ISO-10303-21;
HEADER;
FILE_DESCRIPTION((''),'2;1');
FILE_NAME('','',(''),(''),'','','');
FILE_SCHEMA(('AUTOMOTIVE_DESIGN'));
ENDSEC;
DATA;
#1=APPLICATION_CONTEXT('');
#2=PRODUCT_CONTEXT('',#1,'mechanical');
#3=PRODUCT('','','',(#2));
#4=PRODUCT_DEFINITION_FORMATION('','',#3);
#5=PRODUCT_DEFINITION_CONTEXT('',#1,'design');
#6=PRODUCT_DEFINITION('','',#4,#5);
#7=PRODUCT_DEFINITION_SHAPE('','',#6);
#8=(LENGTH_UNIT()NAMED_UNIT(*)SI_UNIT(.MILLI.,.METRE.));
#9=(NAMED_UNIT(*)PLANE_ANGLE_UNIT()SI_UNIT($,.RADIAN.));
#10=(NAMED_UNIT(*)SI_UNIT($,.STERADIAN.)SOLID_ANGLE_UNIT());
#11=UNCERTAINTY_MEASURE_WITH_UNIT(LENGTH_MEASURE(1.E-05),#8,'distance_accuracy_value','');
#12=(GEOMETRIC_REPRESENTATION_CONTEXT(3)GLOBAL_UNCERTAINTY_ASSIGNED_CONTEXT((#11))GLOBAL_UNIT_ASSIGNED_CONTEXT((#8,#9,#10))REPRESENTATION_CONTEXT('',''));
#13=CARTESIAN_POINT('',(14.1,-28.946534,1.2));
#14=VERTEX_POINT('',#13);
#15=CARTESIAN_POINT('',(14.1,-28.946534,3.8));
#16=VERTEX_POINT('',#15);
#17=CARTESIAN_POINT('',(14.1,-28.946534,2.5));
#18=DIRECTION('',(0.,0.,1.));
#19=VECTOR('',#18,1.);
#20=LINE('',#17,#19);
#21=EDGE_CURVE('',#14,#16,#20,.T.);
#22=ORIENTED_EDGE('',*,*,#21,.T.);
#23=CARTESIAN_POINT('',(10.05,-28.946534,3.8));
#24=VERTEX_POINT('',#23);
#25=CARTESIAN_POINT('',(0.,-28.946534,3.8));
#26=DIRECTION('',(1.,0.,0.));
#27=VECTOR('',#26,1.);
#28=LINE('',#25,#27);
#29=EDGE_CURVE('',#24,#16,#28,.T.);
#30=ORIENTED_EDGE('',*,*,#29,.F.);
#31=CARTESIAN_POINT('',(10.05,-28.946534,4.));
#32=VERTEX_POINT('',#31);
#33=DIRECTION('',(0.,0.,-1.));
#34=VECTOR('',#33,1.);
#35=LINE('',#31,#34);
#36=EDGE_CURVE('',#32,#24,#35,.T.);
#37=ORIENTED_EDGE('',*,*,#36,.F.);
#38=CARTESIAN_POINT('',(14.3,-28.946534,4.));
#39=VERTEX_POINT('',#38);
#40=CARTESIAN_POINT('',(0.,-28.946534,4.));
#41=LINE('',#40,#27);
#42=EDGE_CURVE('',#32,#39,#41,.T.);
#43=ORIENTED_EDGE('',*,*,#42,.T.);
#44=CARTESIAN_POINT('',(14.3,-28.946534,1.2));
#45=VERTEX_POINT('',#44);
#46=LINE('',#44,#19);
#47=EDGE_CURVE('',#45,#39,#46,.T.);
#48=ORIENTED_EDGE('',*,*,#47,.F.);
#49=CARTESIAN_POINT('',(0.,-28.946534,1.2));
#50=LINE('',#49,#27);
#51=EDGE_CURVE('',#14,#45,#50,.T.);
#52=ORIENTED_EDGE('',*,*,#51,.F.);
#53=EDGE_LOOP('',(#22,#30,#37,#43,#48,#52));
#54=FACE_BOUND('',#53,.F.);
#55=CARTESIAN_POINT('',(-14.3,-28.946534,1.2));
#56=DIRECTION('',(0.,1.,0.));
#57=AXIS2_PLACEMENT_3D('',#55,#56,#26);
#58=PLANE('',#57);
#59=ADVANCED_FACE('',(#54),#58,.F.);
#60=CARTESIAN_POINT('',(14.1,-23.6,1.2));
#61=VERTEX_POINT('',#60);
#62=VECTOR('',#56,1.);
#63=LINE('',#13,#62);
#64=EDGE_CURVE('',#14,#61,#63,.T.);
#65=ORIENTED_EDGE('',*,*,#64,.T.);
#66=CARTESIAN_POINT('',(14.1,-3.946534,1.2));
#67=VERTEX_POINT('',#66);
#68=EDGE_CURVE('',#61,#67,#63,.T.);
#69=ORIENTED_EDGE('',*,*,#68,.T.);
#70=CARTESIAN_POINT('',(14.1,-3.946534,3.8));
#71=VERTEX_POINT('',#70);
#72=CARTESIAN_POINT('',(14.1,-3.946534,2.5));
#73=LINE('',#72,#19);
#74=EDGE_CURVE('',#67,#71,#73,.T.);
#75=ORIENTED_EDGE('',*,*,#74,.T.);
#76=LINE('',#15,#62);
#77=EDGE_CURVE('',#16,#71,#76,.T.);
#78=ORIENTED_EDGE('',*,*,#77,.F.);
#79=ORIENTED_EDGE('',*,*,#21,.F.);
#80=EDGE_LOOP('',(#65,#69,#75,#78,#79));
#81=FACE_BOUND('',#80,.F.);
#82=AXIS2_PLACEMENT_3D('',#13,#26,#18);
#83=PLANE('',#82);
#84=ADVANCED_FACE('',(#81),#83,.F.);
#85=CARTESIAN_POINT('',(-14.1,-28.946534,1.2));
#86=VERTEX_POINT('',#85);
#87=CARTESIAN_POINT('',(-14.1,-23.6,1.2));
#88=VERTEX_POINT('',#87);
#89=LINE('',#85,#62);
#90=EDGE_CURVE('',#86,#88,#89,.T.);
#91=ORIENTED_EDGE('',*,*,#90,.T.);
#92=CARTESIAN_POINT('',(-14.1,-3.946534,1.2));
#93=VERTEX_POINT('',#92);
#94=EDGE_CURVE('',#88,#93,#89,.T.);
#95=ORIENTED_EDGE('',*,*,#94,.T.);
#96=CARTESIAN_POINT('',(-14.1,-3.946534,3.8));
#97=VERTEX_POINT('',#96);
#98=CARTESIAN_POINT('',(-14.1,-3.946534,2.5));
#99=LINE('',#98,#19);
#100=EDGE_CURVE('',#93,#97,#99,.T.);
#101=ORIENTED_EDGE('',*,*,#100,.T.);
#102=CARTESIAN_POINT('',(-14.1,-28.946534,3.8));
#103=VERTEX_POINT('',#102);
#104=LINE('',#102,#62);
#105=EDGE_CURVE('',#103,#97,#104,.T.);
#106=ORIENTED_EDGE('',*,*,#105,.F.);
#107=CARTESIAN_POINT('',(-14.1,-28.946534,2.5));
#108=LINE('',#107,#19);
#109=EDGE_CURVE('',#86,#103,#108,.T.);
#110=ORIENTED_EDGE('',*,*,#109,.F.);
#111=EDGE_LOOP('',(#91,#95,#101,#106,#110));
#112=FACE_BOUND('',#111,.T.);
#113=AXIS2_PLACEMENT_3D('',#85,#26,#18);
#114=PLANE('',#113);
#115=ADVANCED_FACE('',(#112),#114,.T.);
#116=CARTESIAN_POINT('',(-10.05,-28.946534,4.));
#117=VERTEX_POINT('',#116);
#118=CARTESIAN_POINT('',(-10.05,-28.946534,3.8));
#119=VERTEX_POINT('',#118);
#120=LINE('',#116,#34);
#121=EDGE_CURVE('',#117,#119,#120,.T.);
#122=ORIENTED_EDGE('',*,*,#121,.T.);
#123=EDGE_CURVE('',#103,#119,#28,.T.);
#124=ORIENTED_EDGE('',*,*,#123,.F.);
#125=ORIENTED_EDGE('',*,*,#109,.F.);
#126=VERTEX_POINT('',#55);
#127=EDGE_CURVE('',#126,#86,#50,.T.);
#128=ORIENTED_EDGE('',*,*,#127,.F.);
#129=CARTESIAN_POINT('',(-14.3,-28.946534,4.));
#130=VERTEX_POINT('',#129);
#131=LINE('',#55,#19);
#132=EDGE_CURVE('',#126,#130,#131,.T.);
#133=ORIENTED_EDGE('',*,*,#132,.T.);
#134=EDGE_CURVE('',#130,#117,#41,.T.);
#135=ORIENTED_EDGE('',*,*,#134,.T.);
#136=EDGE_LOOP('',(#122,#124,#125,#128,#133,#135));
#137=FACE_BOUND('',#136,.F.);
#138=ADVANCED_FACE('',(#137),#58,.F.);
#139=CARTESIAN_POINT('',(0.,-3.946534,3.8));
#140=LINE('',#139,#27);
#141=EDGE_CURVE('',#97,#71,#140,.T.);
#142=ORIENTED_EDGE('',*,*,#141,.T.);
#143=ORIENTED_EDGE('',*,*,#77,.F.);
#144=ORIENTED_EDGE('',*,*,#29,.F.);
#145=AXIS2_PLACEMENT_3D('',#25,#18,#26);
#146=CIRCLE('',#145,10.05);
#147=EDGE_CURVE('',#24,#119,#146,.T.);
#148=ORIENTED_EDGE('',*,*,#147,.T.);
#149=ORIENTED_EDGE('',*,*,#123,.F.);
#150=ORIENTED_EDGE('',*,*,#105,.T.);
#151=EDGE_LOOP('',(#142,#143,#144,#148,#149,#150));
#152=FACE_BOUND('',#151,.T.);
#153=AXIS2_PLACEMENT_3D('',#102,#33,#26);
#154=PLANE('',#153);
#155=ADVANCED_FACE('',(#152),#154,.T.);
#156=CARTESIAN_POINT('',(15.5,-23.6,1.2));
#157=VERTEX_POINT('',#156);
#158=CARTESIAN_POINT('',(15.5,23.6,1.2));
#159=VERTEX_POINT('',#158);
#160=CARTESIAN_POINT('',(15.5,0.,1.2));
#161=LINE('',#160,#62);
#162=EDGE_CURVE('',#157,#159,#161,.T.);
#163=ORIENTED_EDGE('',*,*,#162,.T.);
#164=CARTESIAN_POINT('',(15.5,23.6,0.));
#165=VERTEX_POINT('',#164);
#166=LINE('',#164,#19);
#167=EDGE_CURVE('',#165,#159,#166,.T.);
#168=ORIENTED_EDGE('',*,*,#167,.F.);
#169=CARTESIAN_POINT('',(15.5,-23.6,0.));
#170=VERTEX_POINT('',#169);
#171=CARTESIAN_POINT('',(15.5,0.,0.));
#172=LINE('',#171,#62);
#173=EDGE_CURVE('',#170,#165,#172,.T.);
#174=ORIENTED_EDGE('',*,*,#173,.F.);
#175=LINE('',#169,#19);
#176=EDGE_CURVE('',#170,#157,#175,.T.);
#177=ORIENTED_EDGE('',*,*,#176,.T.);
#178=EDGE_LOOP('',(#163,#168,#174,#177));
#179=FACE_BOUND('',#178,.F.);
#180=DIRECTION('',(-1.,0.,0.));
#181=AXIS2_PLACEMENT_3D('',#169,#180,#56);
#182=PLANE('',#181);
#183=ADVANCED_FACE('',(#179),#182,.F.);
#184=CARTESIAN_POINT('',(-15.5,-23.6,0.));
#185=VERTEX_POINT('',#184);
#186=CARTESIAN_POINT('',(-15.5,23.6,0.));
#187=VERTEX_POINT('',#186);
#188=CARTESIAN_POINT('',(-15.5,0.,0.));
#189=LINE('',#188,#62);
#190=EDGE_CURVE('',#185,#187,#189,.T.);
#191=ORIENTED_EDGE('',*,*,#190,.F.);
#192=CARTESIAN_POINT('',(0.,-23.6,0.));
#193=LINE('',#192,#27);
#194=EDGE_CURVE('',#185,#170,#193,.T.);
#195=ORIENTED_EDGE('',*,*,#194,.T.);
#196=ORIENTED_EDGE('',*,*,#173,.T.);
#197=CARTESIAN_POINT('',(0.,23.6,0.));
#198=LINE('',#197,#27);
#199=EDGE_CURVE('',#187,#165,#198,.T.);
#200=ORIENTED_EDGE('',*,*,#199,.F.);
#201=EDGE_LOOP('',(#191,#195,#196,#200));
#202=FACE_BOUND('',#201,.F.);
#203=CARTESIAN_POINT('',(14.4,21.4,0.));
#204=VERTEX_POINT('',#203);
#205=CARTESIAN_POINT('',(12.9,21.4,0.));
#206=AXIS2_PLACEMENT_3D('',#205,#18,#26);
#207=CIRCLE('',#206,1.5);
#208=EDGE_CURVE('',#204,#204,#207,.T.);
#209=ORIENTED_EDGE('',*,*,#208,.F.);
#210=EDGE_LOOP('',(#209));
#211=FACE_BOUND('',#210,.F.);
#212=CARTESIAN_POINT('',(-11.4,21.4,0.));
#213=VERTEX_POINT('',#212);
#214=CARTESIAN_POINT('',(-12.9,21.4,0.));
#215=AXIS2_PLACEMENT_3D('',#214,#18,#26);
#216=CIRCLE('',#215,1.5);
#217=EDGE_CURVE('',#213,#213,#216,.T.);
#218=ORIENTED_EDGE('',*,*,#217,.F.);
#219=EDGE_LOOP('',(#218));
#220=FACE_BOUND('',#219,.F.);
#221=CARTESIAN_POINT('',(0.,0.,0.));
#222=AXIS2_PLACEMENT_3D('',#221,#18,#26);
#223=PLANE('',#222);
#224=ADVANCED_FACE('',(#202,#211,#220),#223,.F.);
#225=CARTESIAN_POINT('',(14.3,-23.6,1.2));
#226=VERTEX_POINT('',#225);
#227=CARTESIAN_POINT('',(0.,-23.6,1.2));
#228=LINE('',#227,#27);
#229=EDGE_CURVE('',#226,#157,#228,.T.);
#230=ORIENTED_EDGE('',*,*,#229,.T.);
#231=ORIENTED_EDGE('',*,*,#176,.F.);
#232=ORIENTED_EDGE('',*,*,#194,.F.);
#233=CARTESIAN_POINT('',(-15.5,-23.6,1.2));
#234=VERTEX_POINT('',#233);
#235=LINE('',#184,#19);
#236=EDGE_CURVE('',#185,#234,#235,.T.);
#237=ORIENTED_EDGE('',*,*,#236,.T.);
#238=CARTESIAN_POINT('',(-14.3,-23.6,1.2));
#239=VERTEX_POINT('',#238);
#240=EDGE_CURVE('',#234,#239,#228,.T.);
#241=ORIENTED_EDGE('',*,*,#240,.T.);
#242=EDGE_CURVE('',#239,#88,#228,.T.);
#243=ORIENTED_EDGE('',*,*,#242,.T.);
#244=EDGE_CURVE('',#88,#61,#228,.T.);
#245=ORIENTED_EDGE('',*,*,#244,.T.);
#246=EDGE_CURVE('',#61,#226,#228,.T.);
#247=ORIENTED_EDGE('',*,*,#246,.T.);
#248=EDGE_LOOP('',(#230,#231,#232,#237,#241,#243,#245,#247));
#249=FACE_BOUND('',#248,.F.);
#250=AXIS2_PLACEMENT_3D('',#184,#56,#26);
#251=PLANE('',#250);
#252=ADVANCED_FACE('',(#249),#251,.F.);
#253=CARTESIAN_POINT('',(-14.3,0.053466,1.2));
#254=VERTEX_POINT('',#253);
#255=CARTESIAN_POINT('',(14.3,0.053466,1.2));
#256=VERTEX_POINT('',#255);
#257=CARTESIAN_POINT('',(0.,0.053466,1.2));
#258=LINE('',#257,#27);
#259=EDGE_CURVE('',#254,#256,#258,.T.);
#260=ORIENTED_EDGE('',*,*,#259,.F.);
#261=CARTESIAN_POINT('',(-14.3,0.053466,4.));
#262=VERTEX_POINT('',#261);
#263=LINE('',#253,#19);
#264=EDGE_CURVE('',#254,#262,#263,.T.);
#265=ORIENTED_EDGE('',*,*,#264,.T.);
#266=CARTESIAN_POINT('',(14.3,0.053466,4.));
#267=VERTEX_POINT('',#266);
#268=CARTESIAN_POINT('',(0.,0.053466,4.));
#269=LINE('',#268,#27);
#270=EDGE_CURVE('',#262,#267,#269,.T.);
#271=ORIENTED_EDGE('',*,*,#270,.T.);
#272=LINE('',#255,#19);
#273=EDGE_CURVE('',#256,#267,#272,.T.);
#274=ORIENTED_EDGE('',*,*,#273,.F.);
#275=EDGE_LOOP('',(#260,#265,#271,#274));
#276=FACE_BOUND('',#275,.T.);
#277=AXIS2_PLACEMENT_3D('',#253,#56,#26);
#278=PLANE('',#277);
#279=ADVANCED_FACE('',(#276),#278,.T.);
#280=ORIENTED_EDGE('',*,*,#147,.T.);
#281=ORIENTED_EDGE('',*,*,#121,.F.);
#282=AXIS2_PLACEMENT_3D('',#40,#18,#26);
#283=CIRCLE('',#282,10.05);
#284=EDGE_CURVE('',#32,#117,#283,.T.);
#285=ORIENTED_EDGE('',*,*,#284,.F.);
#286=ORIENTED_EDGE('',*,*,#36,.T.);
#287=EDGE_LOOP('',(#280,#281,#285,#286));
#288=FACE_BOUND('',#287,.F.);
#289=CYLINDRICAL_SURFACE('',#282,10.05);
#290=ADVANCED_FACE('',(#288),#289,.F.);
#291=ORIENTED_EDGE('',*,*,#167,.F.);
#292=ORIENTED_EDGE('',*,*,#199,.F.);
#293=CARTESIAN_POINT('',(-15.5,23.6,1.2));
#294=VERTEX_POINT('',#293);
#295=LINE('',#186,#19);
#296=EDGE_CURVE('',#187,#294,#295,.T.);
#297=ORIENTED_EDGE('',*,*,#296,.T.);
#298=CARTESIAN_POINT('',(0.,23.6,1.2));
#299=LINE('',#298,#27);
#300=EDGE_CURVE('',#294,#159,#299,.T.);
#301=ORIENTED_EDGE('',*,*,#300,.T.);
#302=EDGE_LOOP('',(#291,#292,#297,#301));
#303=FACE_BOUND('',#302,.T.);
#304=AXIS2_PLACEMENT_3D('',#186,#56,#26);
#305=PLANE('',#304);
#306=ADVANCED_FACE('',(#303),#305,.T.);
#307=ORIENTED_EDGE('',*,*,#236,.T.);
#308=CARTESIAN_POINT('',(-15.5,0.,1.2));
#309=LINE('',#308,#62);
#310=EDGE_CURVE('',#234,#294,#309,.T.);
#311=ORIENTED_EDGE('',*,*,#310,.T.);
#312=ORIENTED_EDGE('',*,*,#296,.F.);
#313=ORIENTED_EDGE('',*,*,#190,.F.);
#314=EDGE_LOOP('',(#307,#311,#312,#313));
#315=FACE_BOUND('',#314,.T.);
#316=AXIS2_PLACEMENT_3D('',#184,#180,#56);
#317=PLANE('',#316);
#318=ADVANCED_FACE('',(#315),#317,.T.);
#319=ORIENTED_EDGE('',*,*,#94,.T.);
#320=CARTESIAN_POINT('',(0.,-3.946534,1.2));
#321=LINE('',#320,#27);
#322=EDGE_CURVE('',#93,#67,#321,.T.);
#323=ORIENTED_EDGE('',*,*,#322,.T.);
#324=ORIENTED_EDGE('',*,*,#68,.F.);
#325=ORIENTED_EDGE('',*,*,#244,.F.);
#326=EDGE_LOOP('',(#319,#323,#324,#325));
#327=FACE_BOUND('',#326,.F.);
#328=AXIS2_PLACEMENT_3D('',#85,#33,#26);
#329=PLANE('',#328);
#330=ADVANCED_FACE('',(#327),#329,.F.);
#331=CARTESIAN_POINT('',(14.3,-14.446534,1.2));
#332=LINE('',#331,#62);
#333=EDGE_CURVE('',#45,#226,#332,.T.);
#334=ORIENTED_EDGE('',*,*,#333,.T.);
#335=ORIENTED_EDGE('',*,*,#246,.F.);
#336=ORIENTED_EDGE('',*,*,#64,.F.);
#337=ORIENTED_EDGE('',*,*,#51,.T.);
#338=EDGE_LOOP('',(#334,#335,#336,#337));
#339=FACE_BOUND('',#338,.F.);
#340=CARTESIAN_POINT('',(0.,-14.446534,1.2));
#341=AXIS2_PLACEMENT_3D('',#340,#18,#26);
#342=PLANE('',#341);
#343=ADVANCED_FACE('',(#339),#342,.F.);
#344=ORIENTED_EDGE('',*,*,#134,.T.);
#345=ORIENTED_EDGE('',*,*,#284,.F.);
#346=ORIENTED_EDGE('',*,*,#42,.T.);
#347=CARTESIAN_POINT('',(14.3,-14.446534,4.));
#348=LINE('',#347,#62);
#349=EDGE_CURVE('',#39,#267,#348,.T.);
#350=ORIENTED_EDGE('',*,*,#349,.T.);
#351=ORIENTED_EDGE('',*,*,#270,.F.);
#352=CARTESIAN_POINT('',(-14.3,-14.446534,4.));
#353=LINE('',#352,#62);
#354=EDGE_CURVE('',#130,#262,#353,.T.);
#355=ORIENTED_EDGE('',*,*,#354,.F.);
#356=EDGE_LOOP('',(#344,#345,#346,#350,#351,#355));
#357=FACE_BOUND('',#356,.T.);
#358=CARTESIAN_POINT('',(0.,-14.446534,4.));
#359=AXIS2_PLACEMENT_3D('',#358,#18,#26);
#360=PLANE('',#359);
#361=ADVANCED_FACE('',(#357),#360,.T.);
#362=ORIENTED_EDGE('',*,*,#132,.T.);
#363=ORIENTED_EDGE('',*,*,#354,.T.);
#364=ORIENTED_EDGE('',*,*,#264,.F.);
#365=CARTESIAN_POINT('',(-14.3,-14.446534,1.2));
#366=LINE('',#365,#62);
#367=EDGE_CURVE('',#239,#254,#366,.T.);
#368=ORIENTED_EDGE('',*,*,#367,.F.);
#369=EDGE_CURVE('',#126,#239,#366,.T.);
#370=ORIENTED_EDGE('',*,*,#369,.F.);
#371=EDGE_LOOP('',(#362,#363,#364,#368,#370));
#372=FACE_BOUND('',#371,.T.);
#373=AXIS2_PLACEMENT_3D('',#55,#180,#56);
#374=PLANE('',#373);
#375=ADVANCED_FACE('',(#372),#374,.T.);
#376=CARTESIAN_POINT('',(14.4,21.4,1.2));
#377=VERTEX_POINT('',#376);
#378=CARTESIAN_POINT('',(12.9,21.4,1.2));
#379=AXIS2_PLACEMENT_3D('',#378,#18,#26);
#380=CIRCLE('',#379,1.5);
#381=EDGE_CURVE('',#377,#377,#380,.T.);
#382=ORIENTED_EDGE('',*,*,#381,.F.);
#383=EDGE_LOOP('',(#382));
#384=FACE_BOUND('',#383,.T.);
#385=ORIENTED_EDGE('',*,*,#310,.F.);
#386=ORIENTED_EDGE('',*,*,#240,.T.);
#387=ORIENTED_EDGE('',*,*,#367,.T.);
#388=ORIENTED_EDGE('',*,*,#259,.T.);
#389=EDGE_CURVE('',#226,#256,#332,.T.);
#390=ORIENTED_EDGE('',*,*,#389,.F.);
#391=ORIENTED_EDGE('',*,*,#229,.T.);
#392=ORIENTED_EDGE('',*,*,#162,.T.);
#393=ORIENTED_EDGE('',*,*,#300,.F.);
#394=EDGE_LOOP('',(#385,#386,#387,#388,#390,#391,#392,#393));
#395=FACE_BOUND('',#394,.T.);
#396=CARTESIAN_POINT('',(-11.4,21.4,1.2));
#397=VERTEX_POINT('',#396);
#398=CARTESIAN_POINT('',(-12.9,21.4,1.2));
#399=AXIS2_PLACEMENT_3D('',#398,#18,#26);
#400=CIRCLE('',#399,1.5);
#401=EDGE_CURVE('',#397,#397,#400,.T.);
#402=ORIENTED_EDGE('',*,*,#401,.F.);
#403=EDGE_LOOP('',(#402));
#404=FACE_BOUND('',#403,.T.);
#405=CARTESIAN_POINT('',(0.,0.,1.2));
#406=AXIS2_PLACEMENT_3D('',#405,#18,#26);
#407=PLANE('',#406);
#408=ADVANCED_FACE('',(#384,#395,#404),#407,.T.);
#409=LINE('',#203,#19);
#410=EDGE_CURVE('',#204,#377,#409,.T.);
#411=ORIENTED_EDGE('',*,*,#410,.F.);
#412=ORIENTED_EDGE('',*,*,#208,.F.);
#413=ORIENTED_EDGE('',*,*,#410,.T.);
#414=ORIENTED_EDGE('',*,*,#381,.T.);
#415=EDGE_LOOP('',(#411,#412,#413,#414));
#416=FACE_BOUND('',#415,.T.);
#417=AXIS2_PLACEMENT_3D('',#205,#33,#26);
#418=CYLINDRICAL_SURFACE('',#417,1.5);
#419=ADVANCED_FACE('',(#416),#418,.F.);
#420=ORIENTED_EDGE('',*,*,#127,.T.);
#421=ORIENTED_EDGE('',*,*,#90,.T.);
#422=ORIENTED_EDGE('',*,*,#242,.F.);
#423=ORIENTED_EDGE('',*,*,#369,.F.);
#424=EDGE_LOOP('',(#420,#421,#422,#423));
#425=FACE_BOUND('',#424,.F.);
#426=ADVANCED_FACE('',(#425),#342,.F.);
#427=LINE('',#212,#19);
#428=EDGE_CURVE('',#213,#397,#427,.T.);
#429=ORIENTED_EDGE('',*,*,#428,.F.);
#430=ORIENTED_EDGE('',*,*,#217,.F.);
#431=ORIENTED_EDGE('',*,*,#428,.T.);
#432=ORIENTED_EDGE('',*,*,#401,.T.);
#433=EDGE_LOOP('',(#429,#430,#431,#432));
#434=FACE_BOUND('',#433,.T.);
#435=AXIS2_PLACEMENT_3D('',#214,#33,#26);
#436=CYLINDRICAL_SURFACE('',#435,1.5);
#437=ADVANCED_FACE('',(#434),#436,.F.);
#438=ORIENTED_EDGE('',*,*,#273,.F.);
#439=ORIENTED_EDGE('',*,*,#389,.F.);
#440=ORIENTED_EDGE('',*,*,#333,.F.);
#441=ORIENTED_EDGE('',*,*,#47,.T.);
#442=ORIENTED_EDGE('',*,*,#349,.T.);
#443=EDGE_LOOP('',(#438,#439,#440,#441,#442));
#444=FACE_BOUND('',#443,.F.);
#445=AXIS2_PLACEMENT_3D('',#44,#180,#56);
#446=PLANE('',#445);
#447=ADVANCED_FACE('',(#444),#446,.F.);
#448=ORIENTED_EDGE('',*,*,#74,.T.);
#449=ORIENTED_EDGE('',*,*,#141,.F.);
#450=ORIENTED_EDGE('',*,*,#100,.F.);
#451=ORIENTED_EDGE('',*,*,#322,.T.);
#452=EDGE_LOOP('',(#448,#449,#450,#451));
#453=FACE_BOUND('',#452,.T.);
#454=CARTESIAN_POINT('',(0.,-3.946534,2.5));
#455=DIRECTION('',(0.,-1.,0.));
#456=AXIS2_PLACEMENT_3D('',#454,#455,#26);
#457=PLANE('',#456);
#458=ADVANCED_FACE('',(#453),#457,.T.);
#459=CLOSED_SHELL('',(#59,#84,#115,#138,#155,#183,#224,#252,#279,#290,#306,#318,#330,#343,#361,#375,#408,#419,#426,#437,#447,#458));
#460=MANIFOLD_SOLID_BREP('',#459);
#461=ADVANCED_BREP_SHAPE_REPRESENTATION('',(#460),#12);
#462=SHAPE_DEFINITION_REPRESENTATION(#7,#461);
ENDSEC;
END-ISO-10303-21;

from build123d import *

# Parameters (mm, degrees)
F0_W     = 31
F0_H     = 47.2
F0_R     = 1.5
F1_DEPTH = 1.2
F2_W     = 28.6
F2_H     = 29
F3_DEPTH = 2.8
F4_W     = 28.2
F4_H     = 2.6
F5_DEPTH = 25
F7_DEPTH = 0.2


with BuildPart() as f1:
    # F0 (on Top) → F1 (new body)
    with BuildSketch(Plane.XY):
        Rectangle(F0_W, F0_H)
        with Locations((-12.9, 21.4)):
            Circle(F0_R, mode=Mode.SUBTRACT)
        with Locations((12.9, 21.4)):
            Circle(F0_R, mode=Mode.SUBTRACT)
    extrude(amount=F1_DEPTH)

    # F2 (on face) → F3 (join)
    with BuildSketch(Plane.XY.offset(1.2)):
        with Locations((0, -14.446534)):
            Rectangle(F2_W, F2_H)
    extrude(amount=F3_DEPTH)

    # F4 (on face) → F5 (cut)
    with BuildSketch(Plane.XZ.offset(28.946534)):
        with Locations((0, 2.5)):
            Rectangle(F4_W, F4_H)
    extrude(amount=-F5_DEPTH, mode=Mode.SUBTRACT)

    # F6 (on face) → F7 (cut, through all)
    with BuildSketch(Plane.XY.offset(4)):
        with BuildLine():
            Line((-10.05, -28.946534), (10.05, -28.946534))
            ThreePointArc((10.05, -28.946534), (0, -18.896534), (-10.05, -28.946534))
        make_face()
    extrude(amount=-F7_DEPTH, mode=Mode.SUBTRACT)


solid = f1.part
